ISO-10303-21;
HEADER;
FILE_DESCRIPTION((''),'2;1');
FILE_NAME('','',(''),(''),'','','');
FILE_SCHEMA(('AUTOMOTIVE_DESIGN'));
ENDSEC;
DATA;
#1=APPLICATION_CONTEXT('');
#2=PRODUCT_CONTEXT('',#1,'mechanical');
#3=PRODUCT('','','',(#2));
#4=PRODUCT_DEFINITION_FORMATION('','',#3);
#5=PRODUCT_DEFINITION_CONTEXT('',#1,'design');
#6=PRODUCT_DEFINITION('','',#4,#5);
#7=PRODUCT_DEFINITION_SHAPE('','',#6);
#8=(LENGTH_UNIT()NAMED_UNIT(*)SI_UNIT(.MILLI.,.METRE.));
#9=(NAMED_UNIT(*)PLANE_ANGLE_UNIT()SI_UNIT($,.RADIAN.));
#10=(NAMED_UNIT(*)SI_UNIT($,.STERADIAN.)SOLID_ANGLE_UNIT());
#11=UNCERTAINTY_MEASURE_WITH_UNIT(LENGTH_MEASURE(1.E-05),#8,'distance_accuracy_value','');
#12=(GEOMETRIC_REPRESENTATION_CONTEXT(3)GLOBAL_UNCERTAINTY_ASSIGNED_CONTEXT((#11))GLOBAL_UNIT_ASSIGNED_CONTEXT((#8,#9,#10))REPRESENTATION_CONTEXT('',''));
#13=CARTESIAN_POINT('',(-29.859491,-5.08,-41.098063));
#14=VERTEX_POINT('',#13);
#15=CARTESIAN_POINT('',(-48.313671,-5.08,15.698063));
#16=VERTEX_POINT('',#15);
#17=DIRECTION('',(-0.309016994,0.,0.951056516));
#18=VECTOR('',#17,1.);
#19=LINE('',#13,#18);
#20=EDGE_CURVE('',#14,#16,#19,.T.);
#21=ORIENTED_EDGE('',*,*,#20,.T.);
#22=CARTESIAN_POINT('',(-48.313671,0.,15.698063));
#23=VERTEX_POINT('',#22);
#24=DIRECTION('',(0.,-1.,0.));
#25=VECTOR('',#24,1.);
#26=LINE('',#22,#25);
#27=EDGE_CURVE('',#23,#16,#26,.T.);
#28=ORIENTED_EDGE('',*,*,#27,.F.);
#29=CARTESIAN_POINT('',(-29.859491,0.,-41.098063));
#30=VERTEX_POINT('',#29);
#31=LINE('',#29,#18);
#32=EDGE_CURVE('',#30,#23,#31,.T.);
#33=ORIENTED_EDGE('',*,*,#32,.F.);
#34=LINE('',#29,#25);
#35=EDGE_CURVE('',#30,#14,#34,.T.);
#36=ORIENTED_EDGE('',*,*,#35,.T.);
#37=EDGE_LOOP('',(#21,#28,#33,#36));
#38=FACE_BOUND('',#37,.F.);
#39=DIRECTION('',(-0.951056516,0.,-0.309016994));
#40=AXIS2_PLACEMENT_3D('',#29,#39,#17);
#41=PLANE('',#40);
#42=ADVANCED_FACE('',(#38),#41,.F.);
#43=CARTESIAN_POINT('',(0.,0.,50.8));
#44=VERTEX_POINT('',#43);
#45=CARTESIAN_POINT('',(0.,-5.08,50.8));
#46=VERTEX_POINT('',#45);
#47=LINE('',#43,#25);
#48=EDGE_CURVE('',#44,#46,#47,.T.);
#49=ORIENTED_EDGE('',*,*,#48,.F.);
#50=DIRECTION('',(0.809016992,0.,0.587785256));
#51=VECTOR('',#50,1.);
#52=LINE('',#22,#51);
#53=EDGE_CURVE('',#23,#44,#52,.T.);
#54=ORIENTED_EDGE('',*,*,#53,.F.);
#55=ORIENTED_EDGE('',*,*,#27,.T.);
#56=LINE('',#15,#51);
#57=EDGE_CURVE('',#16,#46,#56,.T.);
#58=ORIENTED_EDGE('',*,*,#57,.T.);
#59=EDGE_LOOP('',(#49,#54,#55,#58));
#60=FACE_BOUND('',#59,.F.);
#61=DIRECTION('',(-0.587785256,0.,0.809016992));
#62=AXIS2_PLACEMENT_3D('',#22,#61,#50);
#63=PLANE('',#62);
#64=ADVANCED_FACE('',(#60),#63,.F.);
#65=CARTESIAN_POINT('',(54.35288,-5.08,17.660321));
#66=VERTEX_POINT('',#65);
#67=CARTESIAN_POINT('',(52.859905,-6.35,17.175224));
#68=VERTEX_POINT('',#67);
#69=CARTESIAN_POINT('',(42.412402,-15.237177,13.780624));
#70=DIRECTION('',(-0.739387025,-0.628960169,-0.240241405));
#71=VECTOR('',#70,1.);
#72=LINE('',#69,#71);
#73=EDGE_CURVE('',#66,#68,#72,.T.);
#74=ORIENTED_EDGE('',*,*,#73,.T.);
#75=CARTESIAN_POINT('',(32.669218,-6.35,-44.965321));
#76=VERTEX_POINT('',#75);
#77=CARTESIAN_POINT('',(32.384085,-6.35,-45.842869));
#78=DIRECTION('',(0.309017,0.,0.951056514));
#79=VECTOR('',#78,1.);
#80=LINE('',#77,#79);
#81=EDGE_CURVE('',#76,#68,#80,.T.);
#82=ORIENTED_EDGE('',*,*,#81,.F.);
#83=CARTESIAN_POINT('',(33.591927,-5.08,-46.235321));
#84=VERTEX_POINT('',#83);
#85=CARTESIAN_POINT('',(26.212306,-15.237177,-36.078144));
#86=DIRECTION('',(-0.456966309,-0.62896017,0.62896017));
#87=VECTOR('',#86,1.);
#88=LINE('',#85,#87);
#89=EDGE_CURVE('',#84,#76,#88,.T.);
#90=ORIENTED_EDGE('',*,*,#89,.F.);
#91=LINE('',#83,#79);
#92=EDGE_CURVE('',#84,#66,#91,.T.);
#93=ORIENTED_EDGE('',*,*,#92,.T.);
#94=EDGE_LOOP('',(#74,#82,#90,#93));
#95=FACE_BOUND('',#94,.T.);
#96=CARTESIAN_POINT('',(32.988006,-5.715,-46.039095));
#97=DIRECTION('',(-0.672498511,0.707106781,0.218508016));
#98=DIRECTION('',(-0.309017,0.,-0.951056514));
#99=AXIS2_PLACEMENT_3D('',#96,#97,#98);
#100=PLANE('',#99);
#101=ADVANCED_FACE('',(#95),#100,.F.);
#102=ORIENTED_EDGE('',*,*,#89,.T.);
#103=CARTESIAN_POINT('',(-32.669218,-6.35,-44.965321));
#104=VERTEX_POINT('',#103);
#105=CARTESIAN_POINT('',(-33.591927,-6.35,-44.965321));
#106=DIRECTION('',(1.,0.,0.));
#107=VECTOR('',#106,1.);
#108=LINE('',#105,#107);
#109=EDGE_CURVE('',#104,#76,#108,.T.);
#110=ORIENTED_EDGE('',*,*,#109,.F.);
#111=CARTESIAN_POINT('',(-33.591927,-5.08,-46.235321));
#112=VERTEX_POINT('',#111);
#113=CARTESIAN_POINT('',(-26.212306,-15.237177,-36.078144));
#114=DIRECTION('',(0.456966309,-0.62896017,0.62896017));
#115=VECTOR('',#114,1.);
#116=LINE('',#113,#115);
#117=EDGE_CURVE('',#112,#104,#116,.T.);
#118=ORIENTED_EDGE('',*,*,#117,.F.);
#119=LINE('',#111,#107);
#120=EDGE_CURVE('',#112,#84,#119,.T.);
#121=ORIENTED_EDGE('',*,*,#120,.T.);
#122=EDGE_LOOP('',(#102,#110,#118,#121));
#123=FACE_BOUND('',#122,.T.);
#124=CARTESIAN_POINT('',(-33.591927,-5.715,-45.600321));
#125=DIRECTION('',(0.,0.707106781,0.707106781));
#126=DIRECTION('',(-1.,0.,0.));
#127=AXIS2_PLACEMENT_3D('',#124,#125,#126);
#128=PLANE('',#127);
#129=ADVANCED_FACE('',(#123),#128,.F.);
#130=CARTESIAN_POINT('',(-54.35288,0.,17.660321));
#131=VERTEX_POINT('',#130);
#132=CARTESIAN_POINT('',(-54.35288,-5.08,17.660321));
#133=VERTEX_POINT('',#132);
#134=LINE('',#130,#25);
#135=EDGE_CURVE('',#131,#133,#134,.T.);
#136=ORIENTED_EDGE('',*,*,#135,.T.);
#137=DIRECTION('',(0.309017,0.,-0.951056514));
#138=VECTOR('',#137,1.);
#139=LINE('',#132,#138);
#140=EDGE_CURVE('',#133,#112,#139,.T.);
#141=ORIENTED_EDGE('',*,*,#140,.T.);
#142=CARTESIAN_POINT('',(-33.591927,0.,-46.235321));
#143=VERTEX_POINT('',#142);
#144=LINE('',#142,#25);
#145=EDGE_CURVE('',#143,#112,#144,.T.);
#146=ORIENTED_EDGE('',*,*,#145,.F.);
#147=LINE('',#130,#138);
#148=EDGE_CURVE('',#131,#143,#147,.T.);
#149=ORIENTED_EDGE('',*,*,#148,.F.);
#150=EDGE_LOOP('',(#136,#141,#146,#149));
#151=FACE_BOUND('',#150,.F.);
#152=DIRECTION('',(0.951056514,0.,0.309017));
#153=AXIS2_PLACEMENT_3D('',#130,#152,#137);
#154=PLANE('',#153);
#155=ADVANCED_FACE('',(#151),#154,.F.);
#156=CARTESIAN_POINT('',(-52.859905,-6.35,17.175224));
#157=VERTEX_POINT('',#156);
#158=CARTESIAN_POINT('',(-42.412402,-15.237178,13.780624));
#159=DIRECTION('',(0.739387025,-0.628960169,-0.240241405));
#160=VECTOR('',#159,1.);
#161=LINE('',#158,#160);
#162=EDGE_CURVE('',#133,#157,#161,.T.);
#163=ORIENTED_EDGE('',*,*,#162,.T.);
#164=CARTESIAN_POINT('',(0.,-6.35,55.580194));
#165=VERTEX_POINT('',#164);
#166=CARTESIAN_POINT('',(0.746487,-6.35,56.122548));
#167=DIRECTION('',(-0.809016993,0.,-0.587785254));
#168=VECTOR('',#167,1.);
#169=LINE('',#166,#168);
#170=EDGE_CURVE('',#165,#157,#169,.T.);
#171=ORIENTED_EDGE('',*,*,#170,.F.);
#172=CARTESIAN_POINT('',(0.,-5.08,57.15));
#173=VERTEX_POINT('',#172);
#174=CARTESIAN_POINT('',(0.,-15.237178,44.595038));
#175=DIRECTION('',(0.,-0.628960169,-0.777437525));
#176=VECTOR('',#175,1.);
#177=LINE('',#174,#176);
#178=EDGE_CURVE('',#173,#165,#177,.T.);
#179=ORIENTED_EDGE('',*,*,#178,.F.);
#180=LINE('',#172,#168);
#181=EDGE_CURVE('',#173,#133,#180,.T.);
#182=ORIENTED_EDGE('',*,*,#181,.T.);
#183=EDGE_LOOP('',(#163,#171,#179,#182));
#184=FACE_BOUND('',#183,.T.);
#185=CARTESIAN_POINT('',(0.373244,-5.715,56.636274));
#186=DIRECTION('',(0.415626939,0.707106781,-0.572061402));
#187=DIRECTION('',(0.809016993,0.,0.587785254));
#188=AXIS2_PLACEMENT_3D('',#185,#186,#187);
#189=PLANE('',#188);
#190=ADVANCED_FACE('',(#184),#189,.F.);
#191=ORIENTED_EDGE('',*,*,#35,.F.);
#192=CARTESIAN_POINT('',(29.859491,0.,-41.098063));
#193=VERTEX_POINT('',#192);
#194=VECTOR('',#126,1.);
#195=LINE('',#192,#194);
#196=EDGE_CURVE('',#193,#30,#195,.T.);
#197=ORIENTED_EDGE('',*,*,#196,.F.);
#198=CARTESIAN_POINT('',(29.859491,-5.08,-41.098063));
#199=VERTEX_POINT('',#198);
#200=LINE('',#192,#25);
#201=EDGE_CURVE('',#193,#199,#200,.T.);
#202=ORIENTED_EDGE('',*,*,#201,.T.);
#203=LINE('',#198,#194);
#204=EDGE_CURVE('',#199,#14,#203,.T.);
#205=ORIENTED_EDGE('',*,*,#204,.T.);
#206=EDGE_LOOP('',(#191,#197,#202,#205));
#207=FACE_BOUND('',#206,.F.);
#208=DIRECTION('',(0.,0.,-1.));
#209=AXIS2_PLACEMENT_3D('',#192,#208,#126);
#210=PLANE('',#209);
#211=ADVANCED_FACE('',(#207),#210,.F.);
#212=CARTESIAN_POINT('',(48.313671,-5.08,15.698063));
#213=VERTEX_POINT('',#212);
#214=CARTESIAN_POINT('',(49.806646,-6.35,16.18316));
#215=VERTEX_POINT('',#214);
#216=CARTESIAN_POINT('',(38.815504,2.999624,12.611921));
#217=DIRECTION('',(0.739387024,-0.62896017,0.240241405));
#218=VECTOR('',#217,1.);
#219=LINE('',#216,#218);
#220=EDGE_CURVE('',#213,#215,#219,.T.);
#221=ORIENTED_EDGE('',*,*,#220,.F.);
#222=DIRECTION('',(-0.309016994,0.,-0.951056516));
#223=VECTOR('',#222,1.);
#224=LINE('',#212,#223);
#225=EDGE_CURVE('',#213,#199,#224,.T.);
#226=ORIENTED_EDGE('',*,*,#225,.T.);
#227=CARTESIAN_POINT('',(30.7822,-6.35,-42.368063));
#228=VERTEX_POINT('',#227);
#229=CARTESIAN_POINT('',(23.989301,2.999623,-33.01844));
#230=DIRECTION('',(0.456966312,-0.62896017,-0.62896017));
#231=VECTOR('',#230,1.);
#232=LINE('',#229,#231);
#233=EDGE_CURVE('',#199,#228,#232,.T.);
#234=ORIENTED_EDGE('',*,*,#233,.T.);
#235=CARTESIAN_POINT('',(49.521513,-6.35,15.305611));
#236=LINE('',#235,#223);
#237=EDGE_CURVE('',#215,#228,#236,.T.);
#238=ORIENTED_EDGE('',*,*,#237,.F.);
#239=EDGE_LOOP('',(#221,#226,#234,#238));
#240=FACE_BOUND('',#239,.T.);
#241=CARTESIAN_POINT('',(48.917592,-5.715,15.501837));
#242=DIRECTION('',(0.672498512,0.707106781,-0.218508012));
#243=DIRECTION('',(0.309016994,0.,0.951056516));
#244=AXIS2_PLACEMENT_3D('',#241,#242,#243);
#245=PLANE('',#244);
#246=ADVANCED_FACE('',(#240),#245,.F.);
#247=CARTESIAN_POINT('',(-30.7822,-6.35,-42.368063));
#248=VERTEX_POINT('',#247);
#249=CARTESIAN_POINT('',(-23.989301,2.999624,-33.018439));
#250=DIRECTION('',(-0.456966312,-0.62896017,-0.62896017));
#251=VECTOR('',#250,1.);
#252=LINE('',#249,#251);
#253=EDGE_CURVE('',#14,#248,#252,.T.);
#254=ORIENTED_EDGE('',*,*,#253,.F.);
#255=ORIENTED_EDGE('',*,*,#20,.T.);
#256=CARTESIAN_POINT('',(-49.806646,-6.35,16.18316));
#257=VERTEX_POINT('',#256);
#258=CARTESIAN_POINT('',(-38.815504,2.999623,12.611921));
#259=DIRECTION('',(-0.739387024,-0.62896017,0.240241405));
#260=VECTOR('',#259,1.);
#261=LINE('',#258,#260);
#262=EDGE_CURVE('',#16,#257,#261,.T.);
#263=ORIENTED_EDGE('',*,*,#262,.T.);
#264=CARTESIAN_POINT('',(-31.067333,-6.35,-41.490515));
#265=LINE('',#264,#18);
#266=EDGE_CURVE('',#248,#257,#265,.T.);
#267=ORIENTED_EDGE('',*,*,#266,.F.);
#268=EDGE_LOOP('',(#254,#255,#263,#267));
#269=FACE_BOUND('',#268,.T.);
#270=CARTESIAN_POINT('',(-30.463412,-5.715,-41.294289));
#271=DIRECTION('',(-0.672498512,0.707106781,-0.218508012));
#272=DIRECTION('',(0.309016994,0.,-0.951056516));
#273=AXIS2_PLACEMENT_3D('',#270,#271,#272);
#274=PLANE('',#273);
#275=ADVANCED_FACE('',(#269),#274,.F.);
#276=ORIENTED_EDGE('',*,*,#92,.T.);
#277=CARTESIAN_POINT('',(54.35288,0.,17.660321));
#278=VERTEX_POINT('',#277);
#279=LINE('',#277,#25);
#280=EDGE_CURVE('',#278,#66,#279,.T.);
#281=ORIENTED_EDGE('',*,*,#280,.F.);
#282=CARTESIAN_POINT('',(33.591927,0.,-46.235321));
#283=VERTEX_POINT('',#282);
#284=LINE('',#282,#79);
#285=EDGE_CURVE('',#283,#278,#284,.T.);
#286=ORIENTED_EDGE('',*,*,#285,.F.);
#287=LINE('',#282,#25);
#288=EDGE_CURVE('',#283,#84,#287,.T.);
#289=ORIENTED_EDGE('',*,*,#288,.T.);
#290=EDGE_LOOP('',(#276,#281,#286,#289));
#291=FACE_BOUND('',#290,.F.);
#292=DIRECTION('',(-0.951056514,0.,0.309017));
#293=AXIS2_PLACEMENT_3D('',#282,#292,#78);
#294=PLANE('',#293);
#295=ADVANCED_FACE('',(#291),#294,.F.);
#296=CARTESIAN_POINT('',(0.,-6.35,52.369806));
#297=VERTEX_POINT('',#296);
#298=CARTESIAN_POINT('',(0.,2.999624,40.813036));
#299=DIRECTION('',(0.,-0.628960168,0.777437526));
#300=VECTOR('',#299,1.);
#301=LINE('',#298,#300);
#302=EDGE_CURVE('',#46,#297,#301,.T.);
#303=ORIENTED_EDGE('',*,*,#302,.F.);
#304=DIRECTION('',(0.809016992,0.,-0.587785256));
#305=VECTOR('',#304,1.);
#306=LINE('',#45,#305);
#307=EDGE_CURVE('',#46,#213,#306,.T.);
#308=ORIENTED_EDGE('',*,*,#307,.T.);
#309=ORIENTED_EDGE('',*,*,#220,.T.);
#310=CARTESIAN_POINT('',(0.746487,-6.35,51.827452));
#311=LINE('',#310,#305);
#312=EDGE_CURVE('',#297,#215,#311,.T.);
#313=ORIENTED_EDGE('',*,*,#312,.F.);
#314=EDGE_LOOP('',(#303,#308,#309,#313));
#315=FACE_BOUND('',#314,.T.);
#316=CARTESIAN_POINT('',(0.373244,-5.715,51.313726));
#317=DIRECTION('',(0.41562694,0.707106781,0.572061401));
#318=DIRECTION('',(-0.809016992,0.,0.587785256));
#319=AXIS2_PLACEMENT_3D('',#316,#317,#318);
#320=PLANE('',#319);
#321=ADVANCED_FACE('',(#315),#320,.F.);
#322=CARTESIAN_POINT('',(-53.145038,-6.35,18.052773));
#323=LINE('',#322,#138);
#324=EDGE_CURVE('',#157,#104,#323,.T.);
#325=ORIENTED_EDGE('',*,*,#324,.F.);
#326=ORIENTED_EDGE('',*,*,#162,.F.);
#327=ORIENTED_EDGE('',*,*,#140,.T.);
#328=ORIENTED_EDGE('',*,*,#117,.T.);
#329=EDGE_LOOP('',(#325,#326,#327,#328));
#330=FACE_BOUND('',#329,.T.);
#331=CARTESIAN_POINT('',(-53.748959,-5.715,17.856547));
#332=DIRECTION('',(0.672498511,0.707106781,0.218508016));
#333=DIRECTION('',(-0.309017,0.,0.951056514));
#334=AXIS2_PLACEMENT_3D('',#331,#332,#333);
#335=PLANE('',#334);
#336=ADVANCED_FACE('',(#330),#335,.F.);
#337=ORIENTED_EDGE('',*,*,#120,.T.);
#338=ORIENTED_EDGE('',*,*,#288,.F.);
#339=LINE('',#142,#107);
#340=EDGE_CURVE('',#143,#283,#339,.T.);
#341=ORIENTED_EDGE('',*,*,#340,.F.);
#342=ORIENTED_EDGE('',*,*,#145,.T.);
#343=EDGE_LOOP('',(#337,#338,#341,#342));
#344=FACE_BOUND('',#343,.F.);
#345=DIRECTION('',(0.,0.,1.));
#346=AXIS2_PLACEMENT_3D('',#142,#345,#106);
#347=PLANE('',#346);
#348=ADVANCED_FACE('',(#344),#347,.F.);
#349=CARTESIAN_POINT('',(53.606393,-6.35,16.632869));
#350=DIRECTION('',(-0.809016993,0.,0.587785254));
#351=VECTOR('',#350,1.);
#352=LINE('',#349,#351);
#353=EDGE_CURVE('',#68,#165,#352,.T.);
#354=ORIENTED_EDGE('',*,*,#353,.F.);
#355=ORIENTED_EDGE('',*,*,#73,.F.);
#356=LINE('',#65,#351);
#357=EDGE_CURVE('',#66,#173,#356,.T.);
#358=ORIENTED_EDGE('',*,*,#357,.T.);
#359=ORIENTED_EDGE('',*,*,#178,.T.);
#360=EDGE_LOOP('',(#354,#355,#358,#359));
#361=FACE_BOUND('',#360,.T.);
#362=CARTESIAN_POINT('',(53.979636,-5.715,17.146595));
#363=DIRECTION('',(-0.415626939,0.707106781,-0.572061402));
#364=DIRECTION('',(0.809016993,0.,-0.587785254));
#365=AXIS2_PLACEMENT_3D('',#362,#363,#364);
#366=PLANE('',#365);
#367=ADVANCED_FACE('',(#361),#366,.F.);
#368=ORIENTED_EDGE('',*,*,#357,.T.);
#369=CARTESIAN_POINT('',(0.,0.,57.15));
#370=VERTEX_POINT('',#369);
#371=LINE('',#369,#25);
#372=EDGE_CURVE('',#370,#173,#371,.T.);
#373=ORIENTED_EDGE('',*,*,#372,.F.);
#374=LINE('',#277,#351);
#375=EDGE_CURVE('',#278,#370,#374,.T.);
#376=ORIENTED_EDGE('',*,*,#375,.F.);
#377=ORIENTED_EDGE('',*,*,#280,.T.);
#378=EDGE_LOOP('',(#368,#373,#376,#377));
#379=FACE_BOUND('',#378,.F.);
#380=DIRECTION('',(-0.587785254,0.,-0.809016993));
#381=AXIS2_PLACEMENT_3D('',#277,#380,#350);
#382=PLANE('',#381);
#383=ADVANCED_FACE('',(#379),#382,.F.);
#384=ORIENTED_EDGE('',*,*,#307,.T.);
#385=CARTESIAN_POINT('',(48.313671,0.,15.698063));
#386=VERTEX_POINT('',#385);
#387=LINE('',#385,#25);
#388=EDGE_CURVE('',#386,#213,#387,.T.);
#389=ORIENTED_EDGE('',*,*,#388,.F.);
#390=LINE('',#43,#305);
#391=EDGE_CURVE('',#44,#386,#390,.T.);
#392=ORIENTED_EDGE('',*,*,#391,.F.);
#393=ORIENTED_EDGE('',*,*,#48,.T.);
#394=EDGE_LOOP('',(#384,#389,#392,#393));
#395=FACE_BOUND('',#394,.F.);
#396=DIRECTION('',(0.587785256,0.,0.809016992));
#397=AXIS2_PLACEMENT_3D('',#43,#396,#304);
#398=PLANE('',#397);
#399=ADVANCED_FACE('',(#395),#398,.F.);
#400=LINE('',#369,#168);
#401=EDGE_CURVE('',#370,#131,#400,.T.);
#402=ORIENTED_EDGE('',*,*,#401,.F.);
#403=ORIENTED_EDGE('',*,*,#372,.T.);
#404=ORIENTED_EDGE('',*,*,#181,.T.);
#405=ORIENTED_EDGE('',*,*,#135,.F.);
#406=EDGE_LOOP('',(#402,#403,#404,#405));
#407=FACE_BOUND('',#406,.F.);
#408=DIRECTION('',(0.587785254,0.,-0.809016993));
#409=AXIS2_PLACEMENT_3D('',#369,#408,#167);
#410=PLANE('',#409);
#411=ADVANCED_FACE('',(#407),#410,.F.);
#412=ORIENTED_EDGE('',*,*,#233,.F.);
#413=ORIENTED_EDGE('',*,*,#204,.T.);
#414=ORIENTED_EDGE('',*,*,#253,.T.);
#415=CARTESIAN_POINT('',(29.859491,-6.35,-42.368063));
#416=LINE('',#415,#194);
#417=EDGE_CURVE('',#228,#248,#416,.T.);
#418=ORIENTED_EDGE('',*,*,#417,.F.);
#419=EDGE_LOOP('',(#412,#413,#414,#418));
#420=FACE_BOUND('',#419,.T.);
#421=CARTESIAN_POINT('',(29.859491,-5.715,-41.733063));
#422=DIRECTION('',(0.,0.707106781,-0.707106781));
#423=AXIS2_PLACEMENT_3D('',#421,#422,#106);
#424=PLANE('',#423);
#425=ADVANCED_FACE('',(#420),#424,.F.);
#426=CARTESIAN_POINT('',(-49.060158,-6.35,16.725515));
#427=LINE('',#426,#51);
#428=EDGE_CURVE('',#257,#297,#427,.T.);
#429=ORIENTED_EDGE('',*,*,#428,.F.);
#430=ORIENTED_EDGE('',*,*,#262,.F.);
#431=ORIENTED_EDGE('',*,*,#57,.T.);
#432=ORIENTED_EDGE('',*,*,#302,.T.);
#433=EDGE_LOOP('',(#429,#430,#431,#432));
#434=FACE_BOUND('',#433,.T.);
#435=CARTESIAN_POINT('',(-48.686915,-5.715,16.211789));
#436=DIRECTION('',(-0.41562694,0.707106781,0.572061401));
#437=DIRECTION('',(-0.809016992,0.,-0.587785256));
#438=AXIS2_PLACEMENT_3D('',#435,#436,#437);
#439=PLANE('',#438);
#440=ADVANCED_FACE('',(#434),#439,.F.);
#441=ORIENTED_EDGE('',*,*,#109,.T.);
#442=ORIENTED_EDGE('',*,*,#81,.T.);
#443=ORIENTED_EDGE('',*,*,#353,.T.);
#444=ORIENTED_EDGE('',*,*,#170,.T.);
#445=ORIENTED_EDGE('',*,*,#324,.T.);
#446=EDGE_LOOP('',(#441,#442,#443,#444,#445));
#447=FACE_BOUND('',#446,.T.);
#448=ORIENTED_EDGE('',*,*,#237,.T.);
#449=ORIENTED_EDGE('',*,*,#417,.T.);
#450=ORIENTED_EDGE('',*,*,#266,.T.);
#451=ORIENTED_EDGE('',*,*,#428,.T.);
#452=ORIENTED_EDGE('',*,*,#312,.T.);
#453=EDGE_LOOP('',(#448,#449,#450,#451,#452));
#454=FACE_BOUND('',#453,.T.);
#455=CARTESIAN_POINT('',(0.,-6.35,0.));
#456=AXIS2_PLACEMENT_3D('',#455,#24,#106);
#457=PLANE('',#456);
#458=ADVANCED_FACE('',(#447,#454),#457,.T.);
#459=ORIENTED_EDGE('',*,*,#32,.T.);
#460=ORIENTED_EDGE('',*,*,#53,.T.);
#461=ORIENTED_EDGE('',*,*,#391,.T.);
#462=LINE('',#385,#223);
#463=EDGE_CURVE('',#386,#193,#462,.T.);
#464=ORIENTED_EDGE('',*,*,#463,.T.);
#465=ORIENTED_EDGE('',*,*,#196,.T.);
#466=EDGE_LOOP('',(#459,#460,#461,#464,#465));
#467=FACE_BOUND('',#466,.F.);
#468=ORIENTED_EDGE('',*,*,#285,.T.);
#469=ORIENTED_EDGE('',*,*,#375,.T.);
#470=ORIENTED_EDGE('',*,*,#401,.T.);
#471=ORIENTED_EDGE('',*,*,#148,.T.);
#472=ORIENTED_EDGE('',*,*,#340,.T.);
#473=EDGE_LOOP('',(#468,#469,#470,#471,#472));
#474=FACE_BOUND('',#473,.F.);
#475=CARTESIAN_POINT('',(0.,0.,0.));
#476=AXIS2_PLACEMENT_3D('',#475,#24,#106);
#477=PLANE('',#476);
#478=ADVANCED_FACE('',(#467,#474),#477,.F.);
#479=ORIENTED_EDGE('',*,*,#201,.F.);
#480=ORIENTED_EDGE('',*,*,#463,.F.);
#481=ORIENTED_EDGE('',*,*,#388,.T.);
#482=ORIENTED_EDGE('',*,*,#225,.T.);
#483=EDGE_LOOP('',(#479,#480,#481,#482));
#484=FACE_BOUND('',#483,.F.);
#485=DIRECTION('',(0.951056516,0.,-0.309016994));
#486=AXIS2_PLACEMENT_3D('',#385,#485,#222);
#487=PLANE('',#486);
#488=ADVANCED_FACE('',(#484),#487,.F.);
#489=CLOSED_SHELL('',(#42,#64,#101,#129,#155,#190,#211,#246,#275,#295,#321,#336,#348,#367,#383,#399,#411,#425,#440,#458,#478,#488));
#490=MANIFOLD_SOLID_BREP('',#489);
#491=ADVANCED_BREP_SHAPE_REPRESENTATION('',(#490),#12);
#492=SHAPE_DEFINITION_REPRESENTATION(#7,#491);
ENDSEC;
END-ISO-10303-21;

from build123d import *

# Parameters (mm, degrees)
F1_DEPTH = 6.35
F2_SIZE2 = 1.27
F2_SIZE  = 1.27


with BuildPart() as f1:
    # F0 (on Front) → F1 (new body)
    with BuildSketch(Plane.XZ):
        Polygon((54.35288, 17.660321), (0, 57.15), (-54.35288, 17.660321), (-33.591927, -46.235321), (33.591927, -46.235321), align=None)
        Polygon((-48.313671, 15.698063), (0, 50.8), (48.313671, 15.698063), (29.859491, -41.098063), (-29.859491, -41.098063), align=None, mode=Mode.SUBTRACT)
    extrude(amount=F1_DEPTH)

    # F2
    f2_edges = [f1.edges().sort_by_distance(p)[0] for p in [
        (43.972404, -6.35, -14.2875),
        (27.17644, -6.35, 37.405161),
        (-27.17644, -6.35, 37.405161),
        (-43.972404, -6.35, -14.2875),
        (0, -6.35, -46.235321),
        (-24.156836, -6.35, 33.249032),
        (24.156836, -6.35, 33.249032),
        (39.086581, -6.35, -12.7),
        (0, -6.35, -41.098063),
        (-39.086581, -6.35, -12.7),
    ]]
    chamfer(f2_edges, length=F2_SIZE, length2=F2_SIZE2)


solid = f1.part
